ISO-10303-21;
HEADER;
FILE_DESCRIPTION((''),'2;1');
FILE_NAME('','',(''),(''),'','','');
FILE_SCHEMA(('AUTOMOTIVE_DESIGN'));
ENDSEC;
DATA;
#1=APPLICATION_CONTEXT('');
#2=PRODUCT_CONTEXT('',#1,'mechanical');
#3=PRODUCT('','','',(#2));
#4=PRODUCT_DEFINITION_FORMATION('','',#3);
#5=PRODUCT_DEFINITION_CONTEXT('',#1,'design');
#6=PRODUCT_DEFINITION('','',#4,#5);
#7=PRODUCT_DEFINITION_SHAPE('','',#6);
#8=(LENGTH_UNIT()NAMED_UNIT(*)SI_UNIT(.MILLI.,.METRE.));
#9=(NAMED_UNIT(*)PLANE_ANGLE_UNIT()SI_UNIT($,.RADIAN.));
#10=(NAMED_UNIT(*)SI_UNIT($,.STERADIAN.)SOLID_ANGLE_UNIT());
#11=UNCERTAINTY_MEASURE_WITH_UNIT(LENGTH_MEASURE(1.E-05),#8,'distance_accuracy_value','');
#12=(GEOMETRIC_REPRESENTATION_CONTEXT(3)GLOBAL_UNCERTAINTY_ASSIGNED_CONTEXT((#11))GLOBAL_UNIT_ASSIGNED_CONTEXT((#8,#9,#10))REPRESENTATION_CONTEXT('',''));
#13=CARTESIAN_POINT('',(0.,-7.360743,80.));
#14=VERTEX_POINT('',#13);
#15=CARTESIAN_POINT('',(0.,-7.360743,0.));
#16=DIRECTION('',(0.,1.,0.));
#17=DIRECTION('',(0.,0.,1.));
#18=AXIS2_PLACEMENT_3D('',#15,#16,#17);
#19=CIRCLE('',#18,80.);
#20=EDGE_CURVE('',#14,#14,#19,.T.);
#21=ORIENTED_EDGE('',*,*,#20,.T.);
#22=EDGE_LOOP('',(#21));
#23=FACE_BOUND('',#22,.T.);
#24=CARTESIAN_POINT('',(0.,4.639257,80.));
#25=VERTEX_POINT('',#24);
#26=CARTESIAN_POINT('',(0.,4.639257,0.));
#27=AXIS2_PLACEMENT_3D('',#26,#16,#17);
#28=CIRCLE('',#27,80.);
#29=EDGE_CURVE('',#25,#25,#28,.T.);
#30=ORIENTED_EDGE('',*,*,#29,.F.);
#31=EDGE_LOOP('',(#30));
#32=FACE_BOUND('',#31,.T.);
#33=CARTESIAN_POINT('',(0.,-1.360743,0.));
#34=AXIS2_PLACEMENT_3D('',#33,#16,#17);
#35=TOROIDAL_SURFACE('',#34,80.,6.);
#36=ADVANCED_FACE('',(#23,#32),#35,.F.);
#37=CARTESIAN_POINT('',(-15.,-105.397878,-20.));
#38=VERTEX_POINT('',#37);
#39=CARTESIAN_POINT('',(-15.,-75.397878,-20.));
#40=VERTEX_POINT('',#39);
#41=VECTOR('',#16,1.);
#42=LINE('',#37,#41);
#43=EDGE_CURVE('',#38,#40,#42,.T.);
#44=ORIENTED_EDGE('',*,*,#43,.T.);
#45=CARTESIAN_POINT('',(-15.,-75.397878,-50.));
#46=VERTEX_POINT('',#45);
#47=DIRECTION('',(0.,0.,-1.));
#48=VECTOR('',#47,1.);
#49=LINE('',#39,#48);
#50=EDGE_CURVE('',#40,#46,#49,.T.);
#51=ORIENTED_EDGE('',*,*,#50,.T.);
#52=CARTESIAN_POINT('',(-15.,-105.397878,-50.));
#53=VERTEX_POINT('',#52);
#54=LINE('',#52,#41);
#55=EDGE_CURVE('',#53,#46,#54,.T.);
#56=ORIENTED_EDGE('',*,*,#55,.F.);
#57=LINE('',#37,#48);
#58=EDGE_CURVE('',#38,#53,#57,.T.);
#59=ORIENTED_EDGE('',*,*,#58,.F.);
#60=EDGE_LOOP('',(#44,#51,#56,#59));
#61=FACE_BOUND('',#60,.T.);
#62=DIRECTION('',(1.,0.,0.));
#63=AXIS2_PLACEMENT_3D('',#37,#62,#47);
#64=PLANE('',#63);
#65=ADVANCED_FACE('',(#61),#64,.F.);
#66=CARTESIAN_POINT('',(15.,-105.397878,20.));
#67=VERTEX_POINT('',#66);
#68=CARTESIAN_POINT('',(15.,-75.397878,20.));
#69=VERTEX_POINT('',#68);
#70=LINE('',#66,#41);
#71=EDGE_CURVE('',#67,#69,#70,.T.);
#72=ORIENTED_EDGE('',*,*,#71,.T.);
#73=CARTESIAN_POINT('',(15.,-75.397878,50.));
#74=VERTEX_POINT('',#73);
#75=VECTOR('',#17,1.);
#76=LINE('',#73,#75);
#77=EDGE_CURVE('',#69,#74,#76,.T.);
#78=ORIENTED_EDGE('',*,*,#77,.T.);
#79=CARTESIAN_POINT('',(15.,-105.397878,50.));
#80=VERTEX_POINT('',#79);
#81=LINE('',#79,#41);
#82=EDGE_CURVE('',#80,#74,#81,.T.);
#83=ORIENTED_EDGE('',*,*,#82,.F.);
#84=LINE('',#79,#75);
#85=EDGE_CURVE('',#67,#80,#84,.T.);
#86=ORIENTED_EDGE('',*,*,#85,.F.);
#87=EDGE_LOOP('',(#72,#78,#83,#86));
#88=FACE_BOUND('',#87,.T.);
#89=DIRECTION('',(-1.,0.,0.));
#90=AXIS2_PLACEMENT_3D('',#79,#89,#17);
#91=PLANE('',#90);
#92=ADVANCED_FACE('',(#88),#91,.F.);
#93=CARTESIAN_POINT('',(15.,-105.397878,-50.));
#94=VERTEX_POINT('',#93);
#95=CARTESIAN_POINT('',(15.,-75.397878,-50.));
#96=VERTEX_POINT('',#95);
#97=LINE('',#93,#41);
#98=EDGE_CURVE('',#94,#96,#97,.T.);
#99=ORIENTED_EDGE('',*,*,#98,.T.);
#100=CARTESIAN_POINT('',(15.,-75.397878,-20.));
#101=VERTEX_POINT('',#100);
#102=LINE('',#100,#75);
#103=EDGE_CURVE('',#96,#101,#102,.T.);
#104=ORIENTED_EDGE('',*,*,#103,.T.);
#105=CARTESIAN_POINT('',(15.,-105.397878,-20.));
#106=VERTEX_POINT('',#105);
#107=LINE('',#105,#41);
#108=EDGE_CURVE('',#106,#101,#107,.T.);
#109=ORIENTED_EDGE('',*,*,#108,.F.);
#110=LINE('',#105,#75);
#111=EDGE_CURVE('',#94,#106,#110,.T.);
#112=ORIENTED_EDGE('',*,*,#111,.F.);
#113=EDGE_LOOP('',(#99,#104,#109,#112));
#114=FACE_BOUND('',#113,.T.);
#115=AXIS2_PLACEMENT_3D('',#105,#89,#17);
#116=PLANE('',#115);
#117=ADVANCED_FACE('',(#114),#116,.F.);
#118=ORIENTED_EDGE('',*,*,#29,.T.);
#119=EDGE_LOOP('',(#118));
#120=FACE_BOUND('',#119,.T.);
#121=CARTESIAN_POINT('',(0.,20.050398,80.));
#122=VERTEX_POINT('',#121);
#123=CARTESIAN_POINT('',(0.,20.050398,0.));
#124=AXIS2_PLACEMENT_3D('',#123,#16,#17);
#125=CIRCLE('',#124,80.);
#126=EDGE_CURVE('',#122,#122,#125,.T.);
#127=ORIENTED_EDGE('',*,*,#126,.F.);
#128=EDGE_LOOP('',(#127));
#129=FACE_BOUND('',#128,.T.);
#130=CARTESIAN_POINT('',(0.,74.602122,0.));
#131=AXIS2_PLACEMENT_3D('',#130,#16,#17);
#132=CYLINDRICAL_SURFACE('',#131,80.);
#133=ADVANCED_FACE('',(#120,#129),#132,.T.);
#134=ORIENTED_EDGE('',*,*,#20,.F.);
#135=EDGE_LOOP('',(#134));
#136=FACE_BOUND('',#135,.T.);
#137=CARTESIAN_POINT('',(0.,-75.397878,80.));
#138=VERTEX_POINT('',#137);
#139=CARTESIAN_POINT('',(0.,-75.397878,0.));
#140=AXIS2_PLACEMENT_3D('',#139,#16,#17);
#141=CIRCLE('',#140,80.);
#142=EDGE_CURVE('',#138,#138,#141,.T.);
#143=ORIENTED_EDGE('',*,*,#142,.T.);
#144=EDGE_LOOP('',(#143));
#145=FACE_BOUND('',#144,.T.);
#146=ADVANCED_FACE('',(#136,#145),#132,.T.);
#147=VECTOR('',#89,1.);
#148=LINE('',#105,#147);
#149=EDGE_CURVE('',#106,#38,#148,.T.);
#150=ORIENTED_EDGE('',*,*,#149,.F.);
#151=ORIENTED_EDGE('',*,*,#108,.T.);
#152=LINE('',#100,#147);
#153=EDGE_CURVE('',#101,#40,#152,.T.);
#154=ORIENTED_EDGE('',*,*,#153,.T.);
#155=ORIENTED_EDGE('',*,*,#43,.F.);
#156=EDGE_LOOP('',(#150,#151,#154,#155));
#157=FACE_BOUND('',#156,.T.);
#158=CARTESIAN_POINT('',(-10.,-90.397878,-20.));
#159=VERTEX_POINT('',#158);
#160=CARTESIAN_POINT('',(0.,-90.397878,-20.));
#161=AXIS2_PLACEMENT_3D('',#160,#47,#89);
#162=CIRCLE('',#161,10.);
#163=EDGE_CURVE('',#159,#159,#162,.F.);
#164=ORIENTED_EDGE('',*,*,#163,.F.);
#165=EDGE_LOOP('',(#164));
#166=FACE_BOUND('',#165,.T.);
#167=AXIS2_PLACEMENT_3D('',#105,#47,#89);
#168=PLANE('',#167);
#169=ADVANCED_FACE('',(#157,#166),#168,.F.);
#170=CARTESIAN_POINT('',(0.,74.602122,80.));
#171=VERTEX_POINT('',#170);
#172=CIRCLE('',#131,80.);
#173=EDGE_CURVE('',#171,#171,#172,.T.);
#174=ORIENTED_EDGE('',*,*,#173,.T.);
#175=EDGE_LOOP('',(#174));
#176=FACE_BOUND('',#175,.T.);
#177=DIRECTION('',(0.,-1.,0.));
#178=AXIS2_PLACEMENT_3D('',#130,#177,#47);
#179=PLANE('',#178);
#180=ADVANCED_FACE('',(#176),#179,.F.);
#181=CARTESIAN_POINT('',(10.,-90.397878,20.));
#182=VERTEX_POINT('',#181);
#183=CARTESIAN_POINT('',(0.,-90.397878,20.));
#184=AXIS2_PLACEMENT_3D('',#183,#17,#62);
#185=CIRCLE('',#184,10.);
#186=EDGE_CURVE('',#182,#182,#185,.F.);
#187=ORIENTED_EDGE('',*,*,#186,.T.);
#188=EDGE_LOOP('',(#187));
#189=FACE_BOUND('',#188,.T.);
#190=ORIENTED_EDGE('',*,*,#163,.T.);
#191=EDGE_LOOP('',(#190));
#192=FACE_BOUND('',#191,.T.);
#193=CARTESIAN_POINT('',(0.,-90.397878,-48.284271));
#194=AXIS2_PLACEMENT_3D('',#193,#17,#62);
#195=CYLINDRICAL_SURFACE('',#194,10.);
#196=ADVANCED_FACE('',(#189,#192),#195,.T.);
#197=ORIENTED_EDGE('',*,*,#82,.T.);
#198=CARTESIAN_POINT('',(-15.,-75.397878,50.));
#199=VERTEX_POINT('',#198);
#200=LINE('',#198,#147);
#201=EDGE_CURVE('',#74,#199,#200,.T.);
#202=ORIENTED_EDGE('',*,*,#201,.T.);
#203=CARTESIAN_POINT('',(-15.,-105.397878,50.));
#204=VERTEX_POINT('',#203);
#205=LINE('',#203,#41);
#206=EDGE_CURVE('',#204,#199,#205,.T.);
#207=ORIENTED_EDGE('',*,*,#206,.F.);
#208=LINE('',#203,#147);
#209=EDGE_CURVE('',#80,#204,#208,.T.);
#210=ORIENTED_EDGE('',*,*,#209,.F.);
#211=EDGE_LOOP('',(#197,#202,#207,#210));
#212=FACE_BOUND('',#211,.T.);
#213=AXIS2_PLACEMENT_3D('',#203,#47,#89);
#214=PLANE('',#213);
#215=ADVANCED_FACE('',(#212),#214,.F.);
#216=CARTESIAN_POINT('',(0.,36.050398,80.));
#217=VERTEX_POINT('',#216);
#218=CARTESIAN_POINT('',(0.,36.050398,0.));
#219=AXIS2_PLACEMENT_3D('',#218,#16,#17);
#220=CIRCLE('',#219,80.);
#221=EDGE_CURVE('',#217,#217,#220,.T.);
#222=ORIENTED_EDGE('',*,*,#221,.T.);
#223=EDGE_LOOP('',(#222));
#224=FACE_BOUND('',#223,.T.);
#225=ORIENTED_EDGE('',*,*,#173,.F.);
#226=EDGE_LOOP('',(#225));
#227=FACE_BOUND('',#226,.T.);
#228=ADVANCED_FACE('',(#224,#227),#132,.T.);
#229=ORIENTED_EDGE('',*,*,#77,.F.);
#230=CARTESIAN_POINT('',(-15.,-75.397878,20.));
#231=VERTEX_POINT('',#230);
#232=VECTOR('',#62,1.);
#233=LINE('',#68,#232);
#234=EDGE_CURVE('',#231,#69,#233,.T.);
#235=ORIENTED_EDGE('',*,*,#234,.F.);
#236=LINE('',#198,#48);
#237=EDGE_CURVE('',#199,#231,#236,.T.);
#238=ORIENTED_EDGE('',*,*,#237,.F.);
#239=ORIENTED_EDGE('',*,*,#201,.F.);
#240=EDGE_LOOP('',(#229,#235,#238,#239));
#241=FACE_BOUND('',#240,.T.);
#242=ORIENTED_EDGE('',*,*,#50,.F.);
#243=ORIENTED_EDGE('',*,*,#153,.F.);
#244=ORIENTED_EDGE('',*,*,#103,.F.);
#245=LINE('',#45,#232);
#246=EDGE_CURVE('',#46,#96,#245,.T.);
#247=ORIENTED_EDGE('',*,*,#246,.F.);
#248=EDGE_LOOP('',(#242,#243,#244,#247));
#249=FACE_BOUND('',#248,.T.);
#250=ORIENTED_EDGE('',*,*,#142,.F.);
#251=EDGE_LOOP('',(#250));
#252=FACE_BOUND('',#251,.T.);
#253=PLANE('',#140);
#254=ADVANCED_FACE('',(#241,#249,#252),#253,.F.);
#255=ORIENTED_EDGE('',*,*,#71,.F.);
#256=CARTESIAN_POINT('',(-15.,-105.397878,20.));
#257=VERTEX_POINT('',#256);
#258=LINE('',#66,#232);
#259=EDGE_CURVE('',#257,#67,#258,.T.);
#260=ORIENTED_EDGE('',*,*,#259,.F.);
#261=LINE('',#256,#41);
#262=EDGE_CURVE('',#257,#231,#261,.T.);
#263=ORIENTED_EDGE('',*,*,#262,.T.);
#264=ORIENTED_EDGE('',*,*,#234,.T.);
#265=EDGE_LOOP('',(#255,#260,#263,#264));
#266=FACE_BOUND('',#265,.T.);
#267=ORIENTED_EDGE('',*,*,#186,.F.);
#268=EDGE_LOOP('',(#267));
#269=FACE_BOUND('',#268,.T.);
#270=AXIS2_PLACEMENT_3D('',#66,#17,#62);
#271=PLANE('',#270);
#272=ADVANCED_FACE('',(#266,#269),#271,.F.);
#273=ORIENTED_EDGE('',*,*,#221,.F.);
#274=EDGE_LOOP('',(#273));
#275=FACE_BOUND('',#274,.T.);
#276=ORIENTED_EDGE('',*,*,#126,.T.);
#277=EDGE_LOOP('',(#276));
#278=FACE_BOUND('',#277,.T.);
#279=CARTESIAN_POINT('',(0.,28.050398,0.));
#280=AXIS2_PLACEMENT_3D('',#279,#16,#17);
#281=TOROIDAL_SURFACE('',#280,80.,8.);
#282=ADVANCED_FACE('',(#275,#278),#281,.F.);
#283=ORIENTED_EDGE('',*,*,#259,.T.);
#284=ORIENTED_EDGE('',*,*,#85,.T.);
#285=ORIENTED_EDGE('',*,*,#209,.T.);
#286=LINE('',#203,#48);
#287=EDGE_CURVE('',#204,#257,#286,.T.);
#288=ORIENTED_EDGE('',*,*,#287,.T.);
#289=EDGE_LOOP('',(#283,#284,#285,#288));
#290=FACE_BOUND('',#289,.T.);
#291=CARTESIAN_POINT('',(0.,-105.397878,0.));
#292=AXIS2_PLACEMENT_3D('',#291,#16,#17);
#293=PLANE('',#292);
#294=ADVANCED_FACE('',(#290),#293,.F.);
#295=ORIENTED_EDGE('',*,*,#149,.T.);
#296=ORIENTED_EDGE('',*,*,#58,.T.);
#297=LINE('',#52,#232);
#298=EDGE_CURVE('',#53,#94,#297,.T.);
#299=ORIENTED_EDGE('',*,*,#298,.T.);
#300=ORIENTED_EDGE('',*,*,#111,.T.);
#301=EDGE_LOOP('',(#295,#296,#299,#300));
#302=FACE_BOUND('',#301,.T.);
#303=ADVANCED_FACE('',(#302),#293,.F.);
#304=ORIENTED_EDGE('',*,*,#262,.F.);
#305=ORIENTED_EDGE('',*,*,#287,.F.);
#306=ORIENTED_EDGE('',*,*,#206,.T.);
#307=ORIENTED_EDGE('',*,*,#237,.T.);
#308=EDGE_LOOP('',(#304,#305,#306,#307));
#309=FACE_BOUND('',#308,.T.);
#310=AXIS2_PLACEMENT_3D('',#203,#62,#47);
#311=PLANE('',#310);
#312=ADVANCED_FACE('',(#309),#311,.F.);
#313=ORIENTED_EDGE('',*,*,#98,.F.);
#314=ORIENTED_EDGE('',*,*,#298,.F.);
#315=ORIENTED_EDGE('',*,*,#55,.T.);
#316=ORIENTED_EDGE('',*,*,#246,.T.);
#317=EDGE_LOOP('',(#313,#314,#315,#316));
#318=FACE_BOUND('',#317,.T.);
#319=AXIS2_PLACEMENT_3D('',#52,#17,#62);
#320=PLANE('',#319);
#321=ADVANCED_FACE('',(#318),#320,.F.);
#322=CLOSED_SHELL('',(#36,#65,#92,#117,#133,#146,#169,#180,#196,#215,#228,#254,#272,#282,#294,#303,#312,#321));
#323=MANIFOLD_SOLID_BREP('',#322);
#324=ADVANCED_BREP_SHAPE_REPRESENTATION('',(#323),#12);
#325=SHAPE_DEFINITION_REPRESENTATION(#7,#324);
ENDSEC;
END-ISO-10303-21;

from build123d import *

# Parameters (mm, degrees)
SKETCH3_W           = 30
SKETCH3_H           = 30
BOSS_EXTRUDE1_DEPTH = 30
SKETCH4_R           = 10
BOSS_EXTRUDE2_DEPTH = 40


with BuildPart() as part:
    # Sketch1 → Revolve1 (revolve)
    with BuildSketch(Plane.XY):
        with BuildLine():
            Line((0, 74.602122016), (0, -75.397877984))
            Line((0, -75.397877984), (80, -75.397877984))
            Line((80, -75.397877984), (80, -7.360742706))
            ThreePointArc((80, -7.360742706), (74, -1.360742706), (80, 4.639257294))
            Line((80, 4.639257294), (80, 20.050397878))
            ThreePointArc((80, 20.050397878), (72, 28.050397878), (80, 36.050397878))
            Line((80, 36.050397878), (80, 74.602122016))
            Line((80, 74.602122016), (0, 74.602122016))
        make_face()
    revolve(axis=Axis((0, 74.602122016, 0), (0, -1, 0)))

    # Sketch3 → Boss-Extrude1 (add)
    with BuildSketch(Plane.XZ.offset(75.397877984)):
        with Locations((0, -35)):
            Rectangle(SKETCH3_W, SKETCH3_H)
        with Locations((0, 35)):
            Rectangle(SKETCH3_W, SKETCH3_H)
    extrude(amount=BOSS_EXTRUDE1_DEPTH)

    # Sketch4 → Boss-Extrude2 (add)
    with BuildSketch(Plane(origin=(0, 0, 20), x_dir=(-1, 0, 0), z_dir=(0, 0, -1))):
        with Locations((0, -90.397877984)):
            Circle(SKETCH4_R)
    extrude(amount=BOSS_EXTRUDE2_DEPTH)


solid = part.part
